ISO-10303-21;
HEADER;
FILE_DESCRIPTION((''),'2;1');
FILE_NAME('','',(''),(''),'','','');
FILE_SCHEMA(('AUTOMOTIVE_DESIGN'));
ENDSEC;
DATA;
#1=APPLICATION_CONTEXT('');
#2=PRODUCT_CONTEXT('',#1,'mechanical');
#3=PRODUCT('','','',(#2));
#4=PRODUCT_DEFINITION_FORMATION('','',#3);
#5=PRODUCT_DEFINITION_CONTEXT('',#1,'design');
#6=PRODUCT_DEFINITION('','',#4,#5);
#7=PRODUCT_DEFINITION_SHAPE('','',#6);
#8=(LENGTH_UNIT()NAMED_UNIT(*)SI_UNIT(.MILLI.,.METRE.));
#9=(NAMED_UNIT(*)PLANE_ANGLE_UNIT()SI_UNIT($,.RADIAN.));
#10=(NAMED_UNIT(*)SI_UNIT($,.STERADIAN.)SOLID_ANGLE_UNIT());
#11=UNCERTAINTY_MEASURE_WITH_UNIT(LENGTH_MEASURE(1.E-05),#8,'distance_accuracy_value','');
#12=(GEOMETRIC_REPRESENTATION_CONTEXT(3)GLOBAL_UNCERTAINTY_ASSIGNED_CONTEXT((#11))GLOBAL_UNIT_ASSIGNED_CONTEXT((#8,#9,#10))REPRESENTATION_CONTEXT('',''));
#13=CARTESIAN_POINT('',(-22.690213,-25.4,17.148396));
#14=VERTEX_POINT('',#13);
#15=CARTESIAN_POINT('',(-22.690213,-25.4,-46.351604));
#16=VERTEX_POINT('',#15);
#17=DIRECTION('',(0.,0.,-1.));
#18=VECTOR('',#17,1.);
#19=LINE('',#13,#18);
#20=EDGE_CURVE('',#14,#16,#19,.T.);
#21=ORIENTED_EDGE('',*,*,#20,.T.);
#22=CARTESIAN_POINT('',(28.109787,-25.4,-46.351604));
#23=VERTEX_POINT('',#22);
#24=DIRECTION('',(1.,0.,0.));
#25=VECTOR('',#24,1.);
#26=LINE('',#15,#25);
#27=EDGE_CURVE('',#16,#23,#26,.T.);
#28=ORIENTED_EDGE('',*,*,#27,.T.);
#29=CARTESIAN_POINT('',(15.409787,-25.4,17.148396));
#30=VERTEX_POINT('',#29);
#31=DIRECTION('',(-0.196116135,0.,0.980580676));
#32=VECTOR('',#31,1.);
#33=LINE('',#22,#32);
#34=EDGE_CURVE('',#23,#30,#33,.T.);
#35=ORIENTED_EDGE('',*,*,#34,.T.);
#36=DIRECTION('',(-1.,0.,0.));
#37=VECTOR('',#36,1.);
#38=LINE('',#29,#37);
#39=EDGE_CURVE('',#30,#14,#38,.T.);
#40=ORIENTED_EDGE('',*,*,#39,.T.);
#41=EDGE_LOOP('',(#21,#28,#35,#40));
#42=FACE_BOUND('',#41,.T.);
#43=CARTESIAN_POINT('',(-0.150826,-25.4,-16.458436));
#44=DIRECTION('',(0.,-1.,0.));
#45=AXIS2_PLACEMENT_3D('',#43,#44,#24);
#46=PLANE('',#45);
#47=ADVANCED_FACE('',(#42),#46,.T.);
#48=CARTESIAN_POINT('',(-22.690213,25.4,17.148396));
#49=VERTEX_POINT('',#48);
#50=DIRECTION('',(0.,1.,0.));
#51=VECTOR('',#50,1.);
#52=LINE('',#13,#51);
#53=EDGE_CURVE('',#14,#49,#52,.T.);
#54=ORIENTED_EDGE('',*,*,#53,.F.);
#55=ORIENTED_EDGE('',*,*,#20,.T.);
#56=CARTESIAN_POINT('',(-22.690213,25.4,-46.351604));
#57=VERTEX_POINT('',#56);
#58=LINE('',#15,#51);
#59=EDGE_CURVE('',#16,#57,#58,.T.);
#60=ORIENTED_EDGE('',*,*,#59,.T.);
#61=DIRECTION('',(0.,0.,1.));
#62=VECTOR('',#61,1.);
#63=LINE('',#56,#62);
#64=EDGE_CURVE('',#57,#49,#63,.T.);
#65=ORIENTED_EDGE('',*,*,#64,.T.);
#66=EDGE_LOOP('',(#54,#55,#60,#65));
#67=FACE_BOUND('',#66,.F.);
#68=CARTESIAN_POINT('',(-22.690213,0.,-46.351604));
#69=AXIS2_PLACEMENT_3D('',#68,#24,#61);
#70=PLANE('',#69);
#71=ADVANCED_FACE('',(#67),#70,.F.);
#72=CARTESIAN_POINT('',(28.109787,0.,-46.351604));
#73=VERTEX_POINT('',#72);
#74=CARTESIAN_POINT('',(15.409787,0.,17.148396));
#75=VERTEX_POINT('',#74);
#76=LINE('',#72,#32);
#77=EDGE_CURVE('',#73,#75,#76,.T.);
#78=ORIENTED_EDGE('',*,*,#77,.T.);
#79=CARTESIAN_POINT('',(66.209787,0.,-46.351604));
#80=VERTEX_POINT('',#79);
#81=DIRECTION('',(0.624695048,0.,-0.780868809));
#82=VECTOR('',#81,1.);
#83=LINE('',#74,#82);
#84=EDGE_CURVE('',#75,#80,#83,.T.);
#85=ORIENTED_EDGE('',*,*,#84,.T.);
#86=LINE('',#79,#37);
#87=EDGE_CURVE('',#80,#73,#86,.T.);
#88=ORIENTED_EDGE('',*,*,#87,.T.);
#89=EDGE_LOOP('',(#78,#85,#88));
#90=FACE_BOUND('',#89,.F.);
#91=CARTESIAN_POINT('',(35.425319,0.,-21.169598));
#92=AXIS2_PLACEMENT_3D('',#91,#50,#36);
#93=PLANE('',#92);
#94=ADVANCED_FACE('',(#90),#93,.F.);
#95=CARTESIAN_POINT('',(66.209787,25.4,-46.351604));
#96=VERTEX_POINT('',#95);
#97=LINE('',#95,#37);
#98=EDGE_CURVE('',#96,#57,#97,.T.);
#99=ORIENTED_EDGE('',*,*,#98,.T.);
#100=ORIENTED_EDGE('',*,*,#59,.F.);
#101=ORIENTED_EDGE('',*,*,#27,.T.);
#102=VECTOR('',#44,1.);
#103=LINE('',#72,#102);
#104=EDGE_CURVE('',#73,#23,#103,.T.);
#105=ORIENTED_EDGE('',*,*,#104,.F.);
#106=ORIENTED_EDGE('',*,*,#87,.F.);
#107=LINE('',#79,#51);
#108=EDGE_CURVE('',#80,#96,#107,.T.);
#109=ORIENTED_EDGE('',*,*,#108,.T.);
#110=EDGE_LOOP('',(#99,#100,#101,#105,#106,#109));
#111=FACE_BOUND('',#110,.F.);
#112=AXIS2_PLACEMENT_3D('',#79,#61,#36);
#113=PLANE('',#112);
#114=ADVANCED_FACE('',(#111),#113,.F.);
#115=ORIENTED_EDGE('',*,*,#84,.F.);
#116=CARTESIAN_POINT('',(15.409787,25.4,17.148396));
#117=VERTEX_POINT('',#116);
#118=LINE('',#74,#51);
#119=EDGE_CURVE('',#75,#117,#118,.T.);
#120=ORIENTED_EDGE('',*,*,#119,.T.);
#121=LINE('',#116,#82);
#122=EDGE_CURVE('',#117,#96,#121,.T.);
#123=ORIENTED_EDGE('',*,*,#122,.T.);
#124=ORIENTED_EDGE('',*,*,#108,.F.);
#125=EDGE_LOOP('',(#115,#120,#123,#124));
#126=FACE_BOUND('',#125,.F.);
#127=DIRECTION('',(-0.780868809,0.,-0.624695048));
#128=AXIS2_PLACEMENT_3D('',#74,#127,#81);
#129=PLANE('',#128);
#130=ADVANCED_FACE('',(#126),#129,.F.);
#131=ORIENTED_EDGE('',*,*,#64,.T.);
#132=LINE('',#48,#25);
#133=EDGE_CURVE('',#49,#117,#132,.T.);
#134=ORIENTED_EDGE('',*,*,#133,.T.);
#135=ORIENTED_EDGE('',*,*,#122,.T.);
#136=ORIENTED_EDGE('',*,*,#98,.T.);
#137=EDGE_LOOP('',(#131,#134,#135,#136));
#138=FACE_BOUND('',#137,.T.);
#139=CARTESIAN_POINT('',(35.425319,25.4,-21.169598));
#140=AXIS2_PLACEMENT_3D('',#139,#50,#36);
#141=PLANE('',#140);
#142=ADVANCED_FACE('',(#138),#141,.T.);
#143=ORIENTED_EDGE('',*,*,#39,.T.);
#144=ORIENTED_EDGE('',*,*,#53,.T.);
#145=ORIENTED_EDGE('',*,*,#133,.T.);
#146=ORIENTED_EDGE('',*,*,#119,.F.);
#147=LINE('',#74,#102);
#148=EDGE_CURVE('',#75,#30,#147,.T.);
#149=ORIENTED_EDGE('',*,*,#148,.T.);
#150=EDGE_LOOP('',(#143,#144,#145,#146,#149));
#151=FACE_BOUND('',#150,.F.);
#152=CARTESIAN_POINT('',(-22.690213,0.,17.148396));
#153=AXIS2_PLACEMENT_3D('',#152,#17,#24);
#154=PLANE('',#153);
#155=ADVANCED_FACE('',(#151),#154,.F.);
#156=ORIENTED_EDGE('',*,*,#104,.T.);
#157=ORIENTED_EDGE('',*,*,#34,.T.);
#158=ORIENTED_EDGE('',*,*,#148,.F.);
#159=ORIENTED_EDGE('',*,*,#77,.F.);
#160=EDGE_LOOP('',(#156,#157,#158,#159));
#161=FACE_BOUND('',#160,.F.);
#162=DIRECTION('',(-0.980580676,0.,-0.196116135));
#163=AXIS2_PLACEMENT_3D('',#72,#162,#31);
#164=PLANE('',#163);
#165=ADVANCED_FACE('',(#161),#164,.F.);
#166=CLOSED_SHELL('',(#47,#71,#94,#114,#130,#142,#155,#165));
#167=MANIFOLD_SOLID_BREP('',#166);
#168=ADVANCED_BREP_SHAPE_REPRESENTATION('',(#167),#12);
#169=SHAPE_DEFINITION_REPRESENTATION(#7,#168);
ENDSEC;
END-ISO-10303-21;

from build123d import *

# Parameters (mm, degrees)
F1_DEPTH = 25.4
F3_DEPTH = 25.4


with BuildPart() as f1:
    # F0 (on Front) → F1 (new body)
    with BuildSketch(Plane.XZ):
        Polygon((-22.690213, 17.148396), (-22.690213, -46.351604), (28.109787, -46.351604), (15.409787, 17.148396), align=None)
    extrude(amount=F1_DEPTH)

    # F2 (on face) → F3 (join)
    with BuildSketch(Plane(origin=(0, 0, 0), x_dir=(-1, 0, 0), z_dir=(0, 1, 0))):
        Polygon((-66.209787, -46.351604), (-28.109787, -46.351604), (-15.409787, 17.148396), align=None)
        Polygon((-28.109787, -46.351604), (22.690213, -46.351604), (22.690213, 17.148396), (-15.409787, 17.148396), align=None)
    extrude(amount=F3_DEPTH)


solid = f1.part
